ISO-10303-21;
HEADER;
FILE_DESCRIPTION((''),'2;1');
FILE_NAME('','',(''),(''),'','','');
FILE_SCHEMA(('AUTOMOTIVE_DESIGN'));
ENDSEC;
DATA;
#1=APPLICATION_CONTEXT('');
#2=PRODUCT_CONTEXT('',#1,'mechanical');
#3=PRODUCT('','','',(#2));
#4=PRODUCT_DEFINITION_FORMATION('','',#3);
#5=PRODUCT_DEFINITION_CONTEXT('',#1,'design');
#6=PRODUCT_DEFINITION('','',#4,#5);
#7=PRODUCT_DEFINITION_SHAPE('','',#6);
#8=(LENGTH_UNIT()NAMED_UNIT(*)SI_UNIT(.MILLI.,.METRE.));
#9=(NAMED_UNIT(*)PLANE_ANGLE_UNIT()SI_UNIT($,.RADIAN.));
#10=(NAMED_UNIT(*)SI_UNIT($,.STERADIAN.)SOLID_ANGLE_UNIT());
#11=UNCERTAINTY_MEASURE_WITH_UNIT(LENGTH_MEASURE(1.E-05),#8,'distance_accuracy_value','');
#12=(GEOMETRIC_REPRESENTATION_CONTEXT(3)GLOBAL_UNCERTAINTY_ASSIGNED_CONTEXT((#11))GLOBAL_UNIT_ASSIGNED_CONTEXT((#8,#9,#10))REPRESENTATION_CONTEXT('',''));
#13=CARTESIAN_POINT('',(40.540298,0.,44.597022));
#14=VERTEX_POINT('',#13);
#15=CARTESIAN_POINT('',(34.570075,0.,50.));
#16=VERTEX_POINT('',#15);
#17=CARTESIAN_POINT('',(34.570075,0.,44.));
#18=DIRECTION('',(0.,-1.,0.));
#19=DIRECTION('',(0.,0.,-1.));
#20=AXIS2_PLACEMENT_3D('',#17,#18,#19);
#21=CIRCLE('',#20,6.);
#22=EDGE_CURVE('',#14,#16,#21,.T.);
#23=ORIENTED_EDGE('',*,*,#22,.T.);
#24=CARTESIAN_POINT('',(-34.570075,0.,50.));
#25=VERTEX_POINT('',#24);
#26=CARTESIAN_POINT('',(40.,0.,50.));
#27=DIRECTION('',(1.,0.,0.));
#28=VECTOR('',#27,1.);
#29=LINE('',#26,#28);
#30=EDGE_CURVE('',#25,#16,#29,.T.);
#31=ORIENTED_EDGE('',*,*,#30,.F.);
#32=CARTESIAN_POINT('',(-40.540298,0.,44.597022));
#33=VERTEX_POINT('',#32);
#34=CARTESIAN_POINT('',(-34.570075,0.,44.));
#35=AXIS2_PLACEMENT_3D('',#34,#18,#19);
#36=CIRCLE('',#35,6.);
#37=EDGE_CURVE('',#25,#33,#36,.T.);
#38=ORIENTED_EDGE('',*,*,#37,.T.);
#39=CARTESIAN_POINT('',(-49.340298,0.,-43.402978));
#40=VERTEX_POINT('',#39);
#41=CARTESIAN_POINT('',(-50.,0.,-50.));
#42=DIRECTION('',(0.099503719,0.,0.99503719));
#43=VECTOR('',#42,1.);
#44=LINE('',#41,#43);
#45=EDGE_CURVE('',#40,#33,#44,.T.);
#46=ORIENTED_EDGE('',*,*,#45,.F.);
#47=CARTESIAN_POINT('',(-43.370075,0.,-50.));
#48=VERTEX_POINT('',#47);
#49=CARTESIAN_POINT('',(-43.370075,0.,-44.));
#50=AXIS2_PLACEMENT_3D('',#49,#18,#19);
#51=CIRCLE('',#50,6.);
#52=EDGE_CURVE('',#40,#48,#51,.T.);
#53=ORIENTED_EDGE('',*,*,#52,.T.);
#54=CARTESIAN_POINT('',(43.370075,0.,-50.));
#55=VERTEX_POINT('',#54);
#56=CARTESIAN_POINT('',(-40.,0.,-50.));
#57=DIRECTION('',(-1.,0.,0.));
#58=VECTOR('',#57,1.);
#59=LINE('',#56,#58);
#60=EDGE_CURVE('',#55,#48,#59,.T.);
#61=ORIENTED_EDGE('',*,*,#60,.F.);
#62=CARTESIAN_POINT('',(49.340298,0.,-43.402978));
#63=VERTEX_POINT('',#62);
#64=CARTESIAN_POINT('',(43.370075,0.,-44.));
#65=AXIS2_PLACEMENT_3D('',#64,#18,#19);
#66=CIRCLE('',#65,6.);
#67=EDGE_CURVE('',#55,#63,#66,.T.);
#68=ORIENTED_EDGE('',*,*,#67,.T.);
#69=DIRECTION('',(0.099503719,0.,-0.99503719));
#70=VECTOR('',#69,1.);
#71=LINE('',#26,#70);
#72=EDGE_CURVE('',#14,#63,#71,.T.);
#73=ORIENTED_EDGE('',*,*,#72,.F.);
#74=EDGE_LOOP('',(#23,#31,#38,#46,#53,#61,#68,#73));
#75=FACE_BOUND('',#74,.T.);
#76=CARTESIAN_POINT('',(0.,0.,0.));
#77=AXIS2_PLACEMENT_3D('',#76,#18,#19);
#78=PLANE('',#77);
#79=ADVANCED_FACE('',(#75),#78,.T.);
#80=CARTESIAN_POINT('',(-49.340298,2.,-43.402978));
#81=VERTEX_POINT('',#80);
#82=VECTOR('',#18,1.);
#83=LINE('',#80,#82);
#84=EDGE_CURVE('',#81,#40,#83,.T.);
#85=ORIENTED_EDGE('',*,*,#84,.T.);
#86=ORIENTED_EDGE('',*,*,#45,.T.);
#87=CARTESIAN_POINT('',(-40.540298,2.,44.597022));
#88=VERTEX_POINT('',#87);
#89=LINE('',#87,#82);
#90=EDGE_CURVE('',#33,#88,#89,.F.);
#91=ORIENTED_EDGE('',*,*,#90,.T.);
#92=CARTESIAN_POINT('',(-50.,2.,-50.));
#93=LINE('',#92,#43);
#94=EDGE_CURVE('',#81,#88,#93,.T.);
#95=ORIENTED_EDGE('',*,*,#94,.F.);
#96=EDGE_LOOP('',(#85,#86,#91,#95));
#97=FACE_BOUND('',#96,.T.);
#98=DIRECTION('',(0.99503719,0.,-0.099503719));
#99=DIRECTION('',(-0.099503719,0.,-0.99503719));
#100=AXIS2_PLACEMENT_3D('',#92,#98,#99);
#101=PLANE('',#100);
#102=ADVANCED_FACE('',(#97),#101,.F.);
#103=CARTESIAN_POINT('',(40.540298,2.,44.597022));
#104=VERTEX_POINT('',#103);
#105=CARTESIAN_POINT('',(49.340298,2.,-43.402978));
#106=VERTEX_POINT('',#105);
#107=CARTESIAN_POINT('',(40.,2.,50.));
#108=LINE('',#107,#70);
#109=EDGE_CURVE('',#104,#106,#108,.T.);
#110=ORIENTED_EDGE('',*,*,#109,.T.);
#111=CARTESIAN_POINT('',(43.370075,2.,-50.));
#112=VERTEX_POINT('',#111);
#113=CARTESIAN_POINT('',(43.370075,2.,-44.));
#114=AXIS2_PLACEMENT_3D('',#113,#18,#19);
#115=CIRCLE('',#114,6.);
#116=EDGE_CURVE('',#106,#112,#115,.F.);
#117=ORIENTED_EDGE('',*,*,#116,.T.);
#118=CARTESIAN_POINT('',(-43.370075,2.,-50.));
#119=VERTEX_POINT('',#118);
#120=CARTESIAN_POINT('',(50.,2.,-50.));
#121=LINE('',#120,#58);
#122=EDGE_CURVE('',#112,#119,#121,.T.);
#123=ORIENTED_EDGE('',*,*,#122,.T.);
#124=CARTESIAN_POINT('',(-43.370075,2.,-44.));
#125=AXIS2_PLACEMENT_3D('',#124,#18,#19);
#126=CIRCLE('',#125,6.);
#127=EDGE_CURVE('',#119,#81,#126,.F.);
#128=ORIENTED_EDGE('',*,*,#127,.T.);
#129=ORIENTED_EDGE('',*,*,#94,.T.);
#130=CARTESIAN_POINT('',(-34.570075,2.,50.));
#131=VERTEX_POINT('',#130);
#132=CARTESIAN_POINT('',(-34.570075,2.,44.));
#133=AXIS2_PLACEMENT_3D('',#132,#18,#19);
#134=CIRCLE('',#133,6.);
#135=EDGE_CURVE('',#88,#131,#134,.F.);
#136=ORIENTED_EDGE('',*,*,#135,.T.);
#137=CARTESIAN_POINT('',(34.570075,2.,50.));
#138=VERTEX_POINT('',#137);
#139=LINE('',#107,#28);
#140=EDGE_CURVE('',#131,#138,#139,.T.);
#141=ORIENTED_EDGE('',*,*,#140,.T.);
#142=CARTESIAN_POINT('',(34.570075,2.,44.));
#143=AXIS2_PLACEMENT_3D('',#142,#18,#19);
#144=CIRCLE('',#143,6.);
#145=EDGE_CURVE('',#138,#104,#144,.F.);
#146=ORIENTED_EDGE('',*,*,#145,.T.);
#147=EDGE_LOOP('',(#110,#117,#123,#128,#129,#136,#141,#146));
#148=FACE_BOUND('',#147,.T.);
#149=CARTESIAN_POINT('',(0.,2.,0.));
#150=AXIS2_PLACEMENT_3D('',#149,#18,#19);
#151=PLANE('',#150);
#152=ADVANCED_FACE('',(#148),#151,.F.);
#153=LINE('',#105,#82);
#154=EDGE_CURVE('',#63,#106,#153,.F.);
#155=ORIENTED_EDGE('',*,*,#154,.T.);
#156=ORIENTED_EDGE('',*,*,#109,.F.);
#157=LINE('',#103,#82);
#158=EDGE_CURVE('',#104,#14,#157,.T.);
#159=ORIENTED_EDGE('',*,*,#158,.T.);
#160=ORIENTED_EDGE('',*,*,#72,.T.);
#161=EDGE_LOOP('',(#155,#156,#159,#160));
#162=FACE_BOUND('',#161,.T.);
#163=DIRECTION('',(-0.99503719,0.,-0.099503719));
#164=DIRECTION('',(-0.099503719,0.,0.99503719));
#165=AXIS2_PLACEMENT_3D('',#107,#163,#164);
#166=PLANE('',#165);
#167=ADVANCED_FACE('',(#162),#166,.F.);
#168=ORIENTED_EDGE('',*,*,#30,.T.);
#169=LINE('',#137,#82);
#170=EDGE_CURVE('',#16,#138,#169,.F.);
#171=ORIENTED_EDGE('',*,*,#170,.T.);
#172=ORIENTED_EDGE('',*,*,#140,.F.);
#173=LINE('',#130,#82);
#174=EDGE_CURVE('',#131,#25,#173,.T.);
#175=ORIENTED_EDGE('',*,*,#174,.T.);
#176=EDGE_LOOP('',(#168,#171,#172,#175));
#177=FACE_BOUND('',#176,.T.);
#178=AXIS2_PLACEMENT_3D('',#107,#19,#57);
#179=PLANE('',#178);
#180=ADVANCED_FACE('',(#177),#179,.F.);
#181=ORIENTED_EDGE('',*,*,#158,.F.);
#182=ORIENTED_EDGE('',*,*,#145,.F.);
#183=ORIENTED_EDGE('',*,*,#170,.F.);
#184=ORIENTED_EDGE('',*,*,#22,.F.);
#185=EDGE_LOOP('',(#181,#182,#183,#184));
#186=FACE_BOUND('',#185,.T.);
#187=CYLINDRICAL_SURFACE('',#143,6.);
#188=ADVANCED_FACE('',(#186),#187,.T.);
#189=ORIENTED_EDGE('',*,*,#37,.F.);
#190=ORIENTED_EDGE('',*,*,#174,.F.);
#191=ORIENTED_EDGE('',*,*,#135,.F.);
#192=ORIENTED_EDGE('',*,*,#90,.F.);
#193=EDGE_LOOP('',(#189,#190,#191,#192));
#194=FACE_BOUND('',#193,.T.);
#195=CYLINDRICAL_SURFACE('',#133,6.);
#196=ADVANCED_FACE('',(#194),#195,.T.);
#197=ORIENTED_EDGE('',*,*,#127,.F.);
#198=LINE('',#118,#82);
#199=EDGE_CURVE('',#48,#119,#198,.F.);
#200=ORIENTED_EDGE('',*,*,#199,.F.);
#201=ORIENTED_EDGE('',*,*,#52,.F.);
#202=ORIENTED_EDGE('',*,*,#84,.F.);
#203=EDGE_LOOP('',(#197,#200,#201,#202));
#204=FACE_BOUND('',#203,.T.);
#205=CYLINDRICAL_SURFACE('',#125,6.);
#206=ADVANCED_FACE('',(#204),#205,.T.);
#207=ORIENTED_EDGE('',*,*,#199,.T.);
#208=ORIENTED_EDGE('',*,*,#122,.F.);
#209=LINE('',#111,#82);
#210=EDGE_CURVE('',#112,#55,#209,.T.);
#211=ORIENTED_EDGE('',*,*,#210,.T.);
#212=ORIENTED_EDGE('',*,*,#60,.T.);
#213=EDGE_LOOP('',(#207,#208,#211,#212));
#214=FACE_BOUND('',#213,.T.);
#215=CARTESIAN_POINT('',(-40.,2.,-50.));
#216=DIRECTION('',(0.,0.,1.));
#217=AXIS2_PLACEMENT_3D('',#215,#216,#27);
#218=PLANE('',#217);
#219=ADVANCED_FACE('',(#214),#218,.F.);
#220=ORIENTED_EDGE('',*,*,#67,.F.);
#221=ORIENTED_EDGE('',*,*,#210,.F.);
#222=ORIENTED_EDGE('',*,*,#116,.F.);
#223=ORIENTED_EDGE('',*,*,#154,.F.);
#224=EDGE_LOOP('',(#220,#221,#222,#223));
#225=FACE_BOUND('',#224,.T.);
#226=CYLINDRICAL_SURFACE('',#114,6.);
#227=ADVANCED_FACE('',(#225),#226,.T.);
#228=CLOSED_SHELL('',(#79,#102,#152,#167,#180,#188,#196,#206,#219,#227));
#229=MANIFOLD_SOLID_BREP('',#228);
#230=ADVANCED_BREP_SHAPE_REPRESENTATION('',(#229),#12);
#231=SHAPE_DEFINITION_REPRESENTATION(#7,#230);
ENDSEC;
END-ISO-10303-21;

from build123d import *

# Parameters (mm, degrees)
BOSS_EXTRUDE1_DEPTH = 2
FILLET1_R           = 6


with BuildPart() as part:
    # Sketch1 → Boss-Extrude1 (new body)
    with BuildSketch(Plane(origin=(0, 0, 0), x_dir=(1, 0, 0), z_dir=(0, 1, 0))):
        Polygon((40, -50), (50, 50), (40, 50), (-40, 50), (-50, 50), (-40, -50), align=None)
    extrude(amount=BOSS_EXTRUDE1_DEPTH)

    # Fillet1
    fillet1_edges = [part.edges().sort_by_distance(p)[0] for p in [
        (-50, 1, -50),
        (50, 1, -50),
        (40, 1, 50),
        (-40, 1, 50),
    ]]
    fillet(fillet1_edges, radius=FILLET1_R)


solid = part.part
